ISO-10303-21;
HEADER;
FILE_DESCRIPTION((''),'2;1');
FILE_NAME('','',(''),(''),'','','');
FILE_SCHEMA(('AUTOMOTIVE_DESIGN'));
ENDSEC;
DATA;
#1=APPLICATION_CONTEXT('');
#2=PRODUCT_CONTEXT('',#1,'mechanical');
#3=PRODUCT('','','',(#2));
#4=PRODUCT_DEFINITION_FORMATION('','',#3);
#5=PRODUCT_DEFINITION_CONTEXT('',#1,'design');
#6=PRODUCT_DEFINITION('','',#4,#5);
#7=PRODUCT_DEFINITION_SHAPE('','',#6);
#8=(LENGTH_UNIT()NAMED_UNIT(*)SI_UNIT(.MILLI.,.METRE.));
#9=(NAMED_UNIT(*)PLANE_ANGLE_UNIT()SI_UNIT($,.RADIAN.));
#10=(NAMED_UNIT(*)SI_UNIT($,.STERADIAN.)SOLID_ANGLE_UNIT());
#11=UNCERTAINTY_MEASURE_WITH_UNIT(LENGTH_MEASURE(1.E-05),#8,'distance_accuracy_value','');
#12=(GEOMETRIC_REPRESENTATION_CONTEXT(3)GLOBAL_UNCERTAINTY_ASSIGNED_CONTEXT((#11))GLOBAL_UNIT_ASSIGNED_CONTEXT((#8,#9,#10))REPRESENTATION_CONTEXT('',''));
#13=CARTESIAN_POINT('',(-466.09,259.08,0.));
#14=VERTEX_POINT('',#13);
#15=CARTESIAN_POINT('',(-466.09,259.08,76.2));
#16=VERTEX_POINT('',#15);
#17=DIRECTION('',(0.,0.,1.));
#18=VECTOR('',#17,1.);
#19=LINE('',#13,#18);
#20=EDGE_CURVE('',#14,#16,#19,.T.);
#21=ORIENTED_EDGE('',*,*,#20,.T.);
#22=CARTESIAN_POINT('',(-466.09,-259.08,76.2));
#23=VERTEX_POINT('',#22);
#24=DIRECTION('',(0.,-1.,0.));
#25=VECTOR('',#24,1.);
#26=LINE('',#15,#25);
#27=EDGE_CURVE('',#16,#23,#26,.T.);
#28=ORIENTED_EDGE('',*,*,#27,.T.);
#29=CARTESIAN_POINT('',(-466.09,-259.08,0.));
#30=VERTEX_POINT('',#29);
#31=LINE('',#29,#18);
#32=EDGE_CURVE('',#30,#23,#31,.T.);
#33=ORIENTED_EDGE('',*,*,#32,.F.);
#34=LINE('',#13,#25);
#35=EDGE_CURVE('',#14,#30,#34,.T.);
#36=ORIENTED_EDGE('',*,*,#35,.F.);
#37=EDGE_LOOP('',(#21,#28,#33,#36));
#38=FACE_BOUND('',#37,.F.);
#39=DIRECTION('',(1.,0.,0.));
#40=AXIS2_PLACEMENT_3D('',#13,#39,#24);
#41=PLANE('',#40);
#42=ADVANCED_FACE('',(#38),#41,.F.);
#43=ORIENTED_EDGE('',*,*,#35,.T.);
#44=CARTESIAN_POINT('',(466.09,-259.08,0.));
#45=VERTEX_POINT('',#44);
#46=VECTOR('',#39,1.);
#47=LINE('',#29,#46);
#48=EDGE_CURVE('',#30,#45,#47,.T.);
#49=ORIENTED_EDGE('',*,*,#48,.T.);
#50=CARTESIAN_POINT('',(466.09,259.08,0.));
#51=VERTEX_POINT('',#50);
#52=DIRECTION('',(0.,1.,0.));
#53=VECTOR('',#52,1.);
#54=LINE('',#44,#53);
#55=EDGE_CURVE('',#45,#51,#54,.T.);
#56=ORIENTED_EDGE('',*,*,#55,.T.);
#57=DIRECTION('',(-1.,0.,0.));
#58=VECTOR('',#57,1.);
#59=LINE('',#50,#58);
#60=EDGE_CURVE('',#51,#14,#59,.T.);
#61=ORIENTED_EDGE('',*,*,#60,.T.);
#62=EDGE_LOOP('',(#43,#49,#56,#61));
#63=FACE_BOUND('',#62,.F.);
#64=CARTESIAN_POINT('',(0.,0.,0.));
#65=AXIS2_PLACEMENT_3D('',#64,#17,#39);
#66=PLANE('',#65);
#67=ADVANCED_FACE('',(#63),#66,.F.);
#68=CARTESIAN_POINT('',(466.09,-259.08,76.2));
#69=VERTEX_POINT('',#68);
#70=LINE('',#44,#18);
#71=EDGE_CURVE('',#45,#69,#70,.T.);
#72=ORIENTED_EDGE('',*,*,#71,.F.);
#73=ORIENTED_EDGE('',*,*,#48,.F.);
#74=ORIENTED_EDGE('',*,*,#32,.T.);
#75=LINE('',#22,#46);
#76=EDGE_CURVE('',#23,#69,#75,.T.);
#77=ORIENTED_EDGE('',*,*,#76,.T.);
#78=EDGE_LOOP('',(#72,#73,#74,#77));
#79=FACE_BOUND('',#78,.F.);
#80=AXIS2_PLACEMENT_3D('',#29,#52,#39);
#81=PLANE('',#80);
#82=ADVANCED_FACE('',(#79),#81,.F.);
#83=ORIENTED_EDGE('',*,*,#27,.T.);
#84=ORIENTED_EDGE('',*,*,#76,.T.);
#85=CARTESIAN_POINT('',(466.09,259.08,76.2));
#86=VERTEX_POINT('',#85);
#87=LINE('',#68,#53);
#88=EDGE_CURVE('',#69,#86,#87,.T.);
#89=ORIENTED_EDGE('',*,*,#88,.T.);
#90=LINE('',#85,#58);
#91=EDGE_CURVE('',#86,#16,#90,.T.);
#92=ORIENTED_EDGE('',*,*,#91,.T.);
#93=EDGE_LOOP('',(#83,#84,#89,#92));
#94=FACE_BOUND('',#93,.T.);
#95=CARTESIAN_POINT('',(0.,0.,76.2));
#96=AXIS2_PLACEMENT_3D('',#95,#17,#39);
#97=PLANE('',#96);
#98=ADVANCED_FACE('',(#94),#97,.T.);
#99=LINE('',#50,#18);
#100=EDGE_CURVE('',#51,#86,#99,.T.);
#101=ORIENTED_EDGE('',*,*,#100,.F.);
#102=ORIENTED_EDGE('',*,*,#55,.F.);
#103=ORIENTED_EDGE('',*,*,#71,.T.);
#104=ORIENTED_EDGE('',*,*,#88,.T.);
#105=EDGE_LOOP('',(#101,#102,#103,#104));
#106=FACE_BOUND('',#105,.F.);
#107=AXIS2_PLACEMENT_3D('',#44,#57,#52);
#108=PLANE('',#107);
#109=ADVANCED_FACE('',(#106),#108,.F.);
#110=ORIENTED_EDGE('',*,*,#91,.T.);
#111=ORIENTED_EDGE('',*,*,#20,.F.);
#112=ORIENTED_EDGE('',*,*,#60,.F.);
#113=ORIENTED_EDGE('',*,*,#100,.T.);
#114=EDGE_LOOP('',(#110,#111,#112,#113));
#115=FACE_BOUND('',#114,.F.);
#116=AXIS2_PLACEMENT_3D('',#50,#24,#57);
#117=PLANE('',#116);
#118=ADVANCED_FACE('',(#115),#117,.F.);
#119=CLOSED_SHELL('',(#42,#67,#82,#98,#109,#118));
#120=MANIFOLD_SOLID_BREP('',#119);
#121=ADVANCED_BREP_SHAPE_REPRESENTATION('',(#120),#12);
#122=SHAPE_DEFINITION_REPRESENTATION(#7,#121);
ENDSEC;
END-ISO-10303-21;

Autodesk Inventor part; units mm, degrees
ref_plane "YZ Plane" through (0, 0, 0) normal (1, 0, 0) x (0, 1, 0)
ref_plane "XZ Plane" through (0, 0, 0) normal (0, 1, 0) x (-1, 0, 0)
ref_plane "XY Plane" through (0, 0, 0) normal (0, 0, 1) x (1, 0, 0)
sketch "Sketch1" plane through (0, 0, 0) normal (0, 0, 1) x (1, 0, 0)
  line L0 (-466.09, -259.08) -> (466.09, -259.08)
  line L1 (466.09, -259.08) -> (466.09, 259.08)
  line L2 (466.09, 259.08) -> (-466.09, 259.08)
  line L3 (-466.09, 259.08) -> (-466.09, -259.08)
  point P0 (0, 0)
  dimension "d0" = 932.18
  dimension "d1" = 518.16
extrude "Extrusion1" add sketch "Sketch1" along normal blind 76.2
sketch "Sketch3" plane through (0, 0, 76.2) normal (0, 0, 1) x (1, 0, 0)
  line L0 (466.09, -259.08) -> (-466.09, -259.08) projected
  line L1 (466.09, 259.08) -> (466.09, -259.08) projected
  line L2 (-466.09, 259.08) -> (466.09, 259.08) projected
  line L3 (-466.09, -259.08) -> (-466.09, 259.08) projected
  line L4 (-621.9572, 0) -> (531.0043, 0) construction
  line L5 (0, 337.0607) -> (0, -418.6507) construction
  point P0 (0, 0)
  point P1 (0, 0)
properties part number "tv_42i"
